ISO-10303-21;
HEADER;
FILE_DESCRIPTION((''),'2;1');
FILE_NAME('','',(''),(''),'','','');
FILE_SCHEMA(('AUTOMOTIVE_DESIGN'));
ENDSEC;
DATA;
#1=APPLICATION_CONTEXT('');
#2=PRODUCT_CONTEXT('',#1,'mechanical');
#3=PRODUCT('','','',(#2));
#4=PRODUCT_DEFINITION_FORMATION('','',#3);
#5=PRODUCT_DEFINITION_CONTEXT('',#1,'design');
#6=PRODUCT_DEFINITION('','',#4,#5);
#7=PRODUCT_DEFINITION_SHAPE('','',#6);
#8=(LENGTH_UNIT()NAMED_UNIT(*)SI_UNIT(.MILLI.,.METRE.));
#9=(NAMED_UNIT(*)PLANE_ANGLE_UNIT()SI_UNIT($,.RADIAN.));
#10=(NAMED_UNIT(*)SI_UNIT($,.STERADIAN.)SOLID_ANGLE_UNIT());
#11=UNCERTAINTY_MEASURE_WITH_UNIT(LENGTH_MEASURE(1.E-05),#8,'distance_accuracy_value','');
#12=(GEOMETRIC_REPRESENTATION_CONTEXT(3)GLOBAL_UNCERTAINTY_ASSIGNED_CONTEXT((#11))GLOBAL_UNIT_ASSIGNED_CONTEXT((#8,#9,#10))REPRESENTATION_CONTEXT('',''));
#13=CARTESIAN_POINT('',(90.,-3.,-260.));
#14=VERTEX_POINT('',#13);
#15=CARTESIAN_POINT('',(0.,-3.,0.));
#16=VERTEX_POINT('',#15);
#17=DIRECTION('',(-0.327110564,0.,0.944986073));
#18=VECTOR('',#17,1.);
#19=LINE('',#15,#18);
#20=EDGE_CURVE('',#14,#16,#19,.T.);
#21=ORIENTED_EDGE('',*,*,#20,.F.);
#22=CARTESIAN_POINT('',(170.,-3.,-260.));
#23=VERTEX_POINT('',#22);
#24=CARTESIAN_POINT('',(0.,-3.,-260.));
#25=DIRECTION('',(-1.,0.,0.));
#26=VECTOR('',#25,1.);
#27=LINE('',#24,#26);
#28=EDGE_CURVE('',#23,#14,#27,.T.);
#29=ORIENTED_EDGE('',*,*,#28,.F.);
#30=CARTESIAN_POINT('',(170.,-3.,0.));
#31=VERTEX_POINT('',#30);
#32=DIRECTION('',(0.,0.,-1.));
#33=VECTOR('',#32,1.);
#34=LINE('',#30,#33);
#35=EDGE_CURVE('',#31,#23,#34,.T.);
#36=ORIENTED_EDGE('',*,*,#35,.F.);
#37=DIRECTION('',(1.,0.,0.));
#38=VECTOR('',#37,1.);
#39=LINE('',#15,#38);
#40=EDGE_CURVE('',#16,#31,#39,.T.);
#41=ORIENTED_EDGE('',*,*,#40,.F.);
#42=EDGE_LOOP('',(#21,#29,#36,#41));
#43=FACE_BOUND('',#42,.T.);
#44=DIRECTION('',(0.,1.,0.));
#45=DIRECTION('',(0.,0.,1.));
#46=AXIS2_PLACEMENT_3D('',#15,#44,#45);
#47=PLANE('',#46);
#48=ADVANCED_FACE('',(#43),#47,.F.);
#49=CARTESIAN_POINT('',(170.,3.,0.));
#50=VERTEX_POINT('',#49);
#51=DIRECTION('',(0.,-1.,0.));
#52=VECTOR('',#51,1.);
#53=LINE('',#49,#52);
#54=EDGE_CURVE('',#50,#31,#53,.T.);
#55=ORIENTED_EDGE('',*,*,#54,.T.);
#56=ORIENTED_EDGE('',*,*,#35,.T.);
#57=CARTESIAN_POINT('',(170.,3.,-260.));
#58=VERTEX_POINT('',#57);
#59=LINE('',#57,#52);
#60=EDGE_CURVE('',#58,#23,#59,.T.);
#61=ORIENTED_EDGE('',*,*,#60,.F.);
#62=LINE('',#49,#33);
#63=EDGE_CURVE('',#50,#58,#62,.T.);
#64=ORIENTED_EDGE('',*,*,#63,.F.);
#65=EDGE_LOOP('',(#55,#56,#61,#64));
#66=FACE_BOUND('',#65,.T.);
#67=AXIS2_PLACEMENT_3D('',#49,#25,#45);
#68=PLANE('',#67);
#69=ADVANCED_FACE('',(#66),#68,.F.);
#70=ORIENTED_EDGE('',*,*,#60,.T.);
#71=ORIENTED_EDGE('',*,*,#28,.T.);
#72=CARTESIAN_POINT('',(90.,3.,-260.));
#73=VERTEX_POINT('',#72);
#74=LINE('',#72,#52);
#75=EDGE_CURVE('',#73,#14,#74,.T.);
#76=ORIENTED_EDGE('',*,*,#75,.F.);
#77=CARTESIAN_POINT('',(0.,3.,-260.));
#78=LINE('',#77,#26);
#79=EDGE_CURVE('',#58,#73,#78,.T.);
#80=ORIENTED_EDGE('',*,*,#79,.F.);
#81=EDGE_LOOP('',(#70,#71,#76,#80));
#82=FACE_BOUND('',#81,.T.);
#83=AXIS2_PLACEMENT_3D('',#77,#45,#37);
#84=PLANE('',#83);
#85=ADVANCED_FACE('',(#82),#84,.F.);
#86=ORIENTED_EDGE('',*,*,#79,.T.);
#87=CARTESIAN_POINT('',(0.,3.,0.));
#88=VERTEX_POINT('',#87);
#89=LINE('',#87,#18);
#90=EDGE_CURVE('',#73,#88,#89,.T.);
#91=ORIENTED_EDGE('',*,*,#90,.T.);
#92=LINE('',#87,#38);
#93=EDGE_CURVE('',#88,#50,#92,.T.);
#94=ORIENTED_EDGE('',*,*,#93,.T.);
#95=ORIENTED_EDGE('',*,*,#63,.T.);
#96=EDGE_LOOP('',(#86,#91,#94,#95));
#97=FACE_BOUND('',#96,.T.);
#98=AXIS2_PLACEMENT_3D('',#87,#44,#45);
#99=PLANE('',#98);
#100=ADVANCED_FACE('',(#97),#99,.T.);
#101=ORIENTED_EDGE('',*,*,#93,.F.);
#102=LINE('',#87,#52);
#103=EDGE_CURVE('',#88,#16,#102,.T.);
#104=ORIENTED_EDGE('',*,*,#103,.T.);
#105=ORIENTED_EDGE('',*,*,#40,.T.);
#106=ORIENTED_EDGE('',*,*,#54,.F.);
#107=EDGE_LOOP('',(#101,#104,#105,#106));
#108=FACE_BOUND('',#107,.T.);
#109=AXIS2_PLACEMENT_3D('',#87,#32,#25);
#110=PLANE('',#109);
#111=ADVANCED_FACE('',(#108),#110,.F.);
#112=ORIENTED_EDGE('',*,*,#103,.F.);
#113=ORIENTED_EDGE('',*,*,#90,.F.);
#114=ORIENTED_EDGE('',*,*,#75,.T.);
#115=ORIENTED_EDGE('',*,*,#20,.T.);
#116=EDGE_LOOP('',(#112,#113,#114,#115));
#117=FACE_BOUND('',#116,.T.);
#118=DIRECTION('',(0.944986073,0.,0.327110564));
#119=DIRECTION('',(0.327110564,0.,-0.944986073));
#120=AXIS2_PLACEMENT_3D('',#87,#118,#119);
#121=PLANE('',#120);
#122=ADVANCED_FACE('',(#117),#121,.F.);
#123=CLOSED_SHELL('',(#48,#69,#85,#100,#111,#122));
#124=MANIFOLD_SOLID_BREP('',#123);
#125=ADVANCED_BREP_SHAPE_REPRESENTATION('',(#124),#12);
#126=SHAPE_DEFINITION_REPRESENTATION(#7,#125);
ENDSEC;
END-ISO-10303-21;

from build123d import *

# Parameters (mm, degrees)
BOSS_EXTRUDE1_DEPTH = 3


with BuildPart() as part:
    # Sketch1 → Boss-Extrude1 (new, symmetric)
    with BuildSketch(Plane(origin=(0, 0, 0), x_dir=(1, 0, 0), z_dir=(0, 1, 0))):
        Polygon((170, 260), (90, 260), (0, 0), (170, 0), align=None)
    extrude(amount=BOSS_EXTRUDE1_DEPTH, both=True)


solid = part.part
